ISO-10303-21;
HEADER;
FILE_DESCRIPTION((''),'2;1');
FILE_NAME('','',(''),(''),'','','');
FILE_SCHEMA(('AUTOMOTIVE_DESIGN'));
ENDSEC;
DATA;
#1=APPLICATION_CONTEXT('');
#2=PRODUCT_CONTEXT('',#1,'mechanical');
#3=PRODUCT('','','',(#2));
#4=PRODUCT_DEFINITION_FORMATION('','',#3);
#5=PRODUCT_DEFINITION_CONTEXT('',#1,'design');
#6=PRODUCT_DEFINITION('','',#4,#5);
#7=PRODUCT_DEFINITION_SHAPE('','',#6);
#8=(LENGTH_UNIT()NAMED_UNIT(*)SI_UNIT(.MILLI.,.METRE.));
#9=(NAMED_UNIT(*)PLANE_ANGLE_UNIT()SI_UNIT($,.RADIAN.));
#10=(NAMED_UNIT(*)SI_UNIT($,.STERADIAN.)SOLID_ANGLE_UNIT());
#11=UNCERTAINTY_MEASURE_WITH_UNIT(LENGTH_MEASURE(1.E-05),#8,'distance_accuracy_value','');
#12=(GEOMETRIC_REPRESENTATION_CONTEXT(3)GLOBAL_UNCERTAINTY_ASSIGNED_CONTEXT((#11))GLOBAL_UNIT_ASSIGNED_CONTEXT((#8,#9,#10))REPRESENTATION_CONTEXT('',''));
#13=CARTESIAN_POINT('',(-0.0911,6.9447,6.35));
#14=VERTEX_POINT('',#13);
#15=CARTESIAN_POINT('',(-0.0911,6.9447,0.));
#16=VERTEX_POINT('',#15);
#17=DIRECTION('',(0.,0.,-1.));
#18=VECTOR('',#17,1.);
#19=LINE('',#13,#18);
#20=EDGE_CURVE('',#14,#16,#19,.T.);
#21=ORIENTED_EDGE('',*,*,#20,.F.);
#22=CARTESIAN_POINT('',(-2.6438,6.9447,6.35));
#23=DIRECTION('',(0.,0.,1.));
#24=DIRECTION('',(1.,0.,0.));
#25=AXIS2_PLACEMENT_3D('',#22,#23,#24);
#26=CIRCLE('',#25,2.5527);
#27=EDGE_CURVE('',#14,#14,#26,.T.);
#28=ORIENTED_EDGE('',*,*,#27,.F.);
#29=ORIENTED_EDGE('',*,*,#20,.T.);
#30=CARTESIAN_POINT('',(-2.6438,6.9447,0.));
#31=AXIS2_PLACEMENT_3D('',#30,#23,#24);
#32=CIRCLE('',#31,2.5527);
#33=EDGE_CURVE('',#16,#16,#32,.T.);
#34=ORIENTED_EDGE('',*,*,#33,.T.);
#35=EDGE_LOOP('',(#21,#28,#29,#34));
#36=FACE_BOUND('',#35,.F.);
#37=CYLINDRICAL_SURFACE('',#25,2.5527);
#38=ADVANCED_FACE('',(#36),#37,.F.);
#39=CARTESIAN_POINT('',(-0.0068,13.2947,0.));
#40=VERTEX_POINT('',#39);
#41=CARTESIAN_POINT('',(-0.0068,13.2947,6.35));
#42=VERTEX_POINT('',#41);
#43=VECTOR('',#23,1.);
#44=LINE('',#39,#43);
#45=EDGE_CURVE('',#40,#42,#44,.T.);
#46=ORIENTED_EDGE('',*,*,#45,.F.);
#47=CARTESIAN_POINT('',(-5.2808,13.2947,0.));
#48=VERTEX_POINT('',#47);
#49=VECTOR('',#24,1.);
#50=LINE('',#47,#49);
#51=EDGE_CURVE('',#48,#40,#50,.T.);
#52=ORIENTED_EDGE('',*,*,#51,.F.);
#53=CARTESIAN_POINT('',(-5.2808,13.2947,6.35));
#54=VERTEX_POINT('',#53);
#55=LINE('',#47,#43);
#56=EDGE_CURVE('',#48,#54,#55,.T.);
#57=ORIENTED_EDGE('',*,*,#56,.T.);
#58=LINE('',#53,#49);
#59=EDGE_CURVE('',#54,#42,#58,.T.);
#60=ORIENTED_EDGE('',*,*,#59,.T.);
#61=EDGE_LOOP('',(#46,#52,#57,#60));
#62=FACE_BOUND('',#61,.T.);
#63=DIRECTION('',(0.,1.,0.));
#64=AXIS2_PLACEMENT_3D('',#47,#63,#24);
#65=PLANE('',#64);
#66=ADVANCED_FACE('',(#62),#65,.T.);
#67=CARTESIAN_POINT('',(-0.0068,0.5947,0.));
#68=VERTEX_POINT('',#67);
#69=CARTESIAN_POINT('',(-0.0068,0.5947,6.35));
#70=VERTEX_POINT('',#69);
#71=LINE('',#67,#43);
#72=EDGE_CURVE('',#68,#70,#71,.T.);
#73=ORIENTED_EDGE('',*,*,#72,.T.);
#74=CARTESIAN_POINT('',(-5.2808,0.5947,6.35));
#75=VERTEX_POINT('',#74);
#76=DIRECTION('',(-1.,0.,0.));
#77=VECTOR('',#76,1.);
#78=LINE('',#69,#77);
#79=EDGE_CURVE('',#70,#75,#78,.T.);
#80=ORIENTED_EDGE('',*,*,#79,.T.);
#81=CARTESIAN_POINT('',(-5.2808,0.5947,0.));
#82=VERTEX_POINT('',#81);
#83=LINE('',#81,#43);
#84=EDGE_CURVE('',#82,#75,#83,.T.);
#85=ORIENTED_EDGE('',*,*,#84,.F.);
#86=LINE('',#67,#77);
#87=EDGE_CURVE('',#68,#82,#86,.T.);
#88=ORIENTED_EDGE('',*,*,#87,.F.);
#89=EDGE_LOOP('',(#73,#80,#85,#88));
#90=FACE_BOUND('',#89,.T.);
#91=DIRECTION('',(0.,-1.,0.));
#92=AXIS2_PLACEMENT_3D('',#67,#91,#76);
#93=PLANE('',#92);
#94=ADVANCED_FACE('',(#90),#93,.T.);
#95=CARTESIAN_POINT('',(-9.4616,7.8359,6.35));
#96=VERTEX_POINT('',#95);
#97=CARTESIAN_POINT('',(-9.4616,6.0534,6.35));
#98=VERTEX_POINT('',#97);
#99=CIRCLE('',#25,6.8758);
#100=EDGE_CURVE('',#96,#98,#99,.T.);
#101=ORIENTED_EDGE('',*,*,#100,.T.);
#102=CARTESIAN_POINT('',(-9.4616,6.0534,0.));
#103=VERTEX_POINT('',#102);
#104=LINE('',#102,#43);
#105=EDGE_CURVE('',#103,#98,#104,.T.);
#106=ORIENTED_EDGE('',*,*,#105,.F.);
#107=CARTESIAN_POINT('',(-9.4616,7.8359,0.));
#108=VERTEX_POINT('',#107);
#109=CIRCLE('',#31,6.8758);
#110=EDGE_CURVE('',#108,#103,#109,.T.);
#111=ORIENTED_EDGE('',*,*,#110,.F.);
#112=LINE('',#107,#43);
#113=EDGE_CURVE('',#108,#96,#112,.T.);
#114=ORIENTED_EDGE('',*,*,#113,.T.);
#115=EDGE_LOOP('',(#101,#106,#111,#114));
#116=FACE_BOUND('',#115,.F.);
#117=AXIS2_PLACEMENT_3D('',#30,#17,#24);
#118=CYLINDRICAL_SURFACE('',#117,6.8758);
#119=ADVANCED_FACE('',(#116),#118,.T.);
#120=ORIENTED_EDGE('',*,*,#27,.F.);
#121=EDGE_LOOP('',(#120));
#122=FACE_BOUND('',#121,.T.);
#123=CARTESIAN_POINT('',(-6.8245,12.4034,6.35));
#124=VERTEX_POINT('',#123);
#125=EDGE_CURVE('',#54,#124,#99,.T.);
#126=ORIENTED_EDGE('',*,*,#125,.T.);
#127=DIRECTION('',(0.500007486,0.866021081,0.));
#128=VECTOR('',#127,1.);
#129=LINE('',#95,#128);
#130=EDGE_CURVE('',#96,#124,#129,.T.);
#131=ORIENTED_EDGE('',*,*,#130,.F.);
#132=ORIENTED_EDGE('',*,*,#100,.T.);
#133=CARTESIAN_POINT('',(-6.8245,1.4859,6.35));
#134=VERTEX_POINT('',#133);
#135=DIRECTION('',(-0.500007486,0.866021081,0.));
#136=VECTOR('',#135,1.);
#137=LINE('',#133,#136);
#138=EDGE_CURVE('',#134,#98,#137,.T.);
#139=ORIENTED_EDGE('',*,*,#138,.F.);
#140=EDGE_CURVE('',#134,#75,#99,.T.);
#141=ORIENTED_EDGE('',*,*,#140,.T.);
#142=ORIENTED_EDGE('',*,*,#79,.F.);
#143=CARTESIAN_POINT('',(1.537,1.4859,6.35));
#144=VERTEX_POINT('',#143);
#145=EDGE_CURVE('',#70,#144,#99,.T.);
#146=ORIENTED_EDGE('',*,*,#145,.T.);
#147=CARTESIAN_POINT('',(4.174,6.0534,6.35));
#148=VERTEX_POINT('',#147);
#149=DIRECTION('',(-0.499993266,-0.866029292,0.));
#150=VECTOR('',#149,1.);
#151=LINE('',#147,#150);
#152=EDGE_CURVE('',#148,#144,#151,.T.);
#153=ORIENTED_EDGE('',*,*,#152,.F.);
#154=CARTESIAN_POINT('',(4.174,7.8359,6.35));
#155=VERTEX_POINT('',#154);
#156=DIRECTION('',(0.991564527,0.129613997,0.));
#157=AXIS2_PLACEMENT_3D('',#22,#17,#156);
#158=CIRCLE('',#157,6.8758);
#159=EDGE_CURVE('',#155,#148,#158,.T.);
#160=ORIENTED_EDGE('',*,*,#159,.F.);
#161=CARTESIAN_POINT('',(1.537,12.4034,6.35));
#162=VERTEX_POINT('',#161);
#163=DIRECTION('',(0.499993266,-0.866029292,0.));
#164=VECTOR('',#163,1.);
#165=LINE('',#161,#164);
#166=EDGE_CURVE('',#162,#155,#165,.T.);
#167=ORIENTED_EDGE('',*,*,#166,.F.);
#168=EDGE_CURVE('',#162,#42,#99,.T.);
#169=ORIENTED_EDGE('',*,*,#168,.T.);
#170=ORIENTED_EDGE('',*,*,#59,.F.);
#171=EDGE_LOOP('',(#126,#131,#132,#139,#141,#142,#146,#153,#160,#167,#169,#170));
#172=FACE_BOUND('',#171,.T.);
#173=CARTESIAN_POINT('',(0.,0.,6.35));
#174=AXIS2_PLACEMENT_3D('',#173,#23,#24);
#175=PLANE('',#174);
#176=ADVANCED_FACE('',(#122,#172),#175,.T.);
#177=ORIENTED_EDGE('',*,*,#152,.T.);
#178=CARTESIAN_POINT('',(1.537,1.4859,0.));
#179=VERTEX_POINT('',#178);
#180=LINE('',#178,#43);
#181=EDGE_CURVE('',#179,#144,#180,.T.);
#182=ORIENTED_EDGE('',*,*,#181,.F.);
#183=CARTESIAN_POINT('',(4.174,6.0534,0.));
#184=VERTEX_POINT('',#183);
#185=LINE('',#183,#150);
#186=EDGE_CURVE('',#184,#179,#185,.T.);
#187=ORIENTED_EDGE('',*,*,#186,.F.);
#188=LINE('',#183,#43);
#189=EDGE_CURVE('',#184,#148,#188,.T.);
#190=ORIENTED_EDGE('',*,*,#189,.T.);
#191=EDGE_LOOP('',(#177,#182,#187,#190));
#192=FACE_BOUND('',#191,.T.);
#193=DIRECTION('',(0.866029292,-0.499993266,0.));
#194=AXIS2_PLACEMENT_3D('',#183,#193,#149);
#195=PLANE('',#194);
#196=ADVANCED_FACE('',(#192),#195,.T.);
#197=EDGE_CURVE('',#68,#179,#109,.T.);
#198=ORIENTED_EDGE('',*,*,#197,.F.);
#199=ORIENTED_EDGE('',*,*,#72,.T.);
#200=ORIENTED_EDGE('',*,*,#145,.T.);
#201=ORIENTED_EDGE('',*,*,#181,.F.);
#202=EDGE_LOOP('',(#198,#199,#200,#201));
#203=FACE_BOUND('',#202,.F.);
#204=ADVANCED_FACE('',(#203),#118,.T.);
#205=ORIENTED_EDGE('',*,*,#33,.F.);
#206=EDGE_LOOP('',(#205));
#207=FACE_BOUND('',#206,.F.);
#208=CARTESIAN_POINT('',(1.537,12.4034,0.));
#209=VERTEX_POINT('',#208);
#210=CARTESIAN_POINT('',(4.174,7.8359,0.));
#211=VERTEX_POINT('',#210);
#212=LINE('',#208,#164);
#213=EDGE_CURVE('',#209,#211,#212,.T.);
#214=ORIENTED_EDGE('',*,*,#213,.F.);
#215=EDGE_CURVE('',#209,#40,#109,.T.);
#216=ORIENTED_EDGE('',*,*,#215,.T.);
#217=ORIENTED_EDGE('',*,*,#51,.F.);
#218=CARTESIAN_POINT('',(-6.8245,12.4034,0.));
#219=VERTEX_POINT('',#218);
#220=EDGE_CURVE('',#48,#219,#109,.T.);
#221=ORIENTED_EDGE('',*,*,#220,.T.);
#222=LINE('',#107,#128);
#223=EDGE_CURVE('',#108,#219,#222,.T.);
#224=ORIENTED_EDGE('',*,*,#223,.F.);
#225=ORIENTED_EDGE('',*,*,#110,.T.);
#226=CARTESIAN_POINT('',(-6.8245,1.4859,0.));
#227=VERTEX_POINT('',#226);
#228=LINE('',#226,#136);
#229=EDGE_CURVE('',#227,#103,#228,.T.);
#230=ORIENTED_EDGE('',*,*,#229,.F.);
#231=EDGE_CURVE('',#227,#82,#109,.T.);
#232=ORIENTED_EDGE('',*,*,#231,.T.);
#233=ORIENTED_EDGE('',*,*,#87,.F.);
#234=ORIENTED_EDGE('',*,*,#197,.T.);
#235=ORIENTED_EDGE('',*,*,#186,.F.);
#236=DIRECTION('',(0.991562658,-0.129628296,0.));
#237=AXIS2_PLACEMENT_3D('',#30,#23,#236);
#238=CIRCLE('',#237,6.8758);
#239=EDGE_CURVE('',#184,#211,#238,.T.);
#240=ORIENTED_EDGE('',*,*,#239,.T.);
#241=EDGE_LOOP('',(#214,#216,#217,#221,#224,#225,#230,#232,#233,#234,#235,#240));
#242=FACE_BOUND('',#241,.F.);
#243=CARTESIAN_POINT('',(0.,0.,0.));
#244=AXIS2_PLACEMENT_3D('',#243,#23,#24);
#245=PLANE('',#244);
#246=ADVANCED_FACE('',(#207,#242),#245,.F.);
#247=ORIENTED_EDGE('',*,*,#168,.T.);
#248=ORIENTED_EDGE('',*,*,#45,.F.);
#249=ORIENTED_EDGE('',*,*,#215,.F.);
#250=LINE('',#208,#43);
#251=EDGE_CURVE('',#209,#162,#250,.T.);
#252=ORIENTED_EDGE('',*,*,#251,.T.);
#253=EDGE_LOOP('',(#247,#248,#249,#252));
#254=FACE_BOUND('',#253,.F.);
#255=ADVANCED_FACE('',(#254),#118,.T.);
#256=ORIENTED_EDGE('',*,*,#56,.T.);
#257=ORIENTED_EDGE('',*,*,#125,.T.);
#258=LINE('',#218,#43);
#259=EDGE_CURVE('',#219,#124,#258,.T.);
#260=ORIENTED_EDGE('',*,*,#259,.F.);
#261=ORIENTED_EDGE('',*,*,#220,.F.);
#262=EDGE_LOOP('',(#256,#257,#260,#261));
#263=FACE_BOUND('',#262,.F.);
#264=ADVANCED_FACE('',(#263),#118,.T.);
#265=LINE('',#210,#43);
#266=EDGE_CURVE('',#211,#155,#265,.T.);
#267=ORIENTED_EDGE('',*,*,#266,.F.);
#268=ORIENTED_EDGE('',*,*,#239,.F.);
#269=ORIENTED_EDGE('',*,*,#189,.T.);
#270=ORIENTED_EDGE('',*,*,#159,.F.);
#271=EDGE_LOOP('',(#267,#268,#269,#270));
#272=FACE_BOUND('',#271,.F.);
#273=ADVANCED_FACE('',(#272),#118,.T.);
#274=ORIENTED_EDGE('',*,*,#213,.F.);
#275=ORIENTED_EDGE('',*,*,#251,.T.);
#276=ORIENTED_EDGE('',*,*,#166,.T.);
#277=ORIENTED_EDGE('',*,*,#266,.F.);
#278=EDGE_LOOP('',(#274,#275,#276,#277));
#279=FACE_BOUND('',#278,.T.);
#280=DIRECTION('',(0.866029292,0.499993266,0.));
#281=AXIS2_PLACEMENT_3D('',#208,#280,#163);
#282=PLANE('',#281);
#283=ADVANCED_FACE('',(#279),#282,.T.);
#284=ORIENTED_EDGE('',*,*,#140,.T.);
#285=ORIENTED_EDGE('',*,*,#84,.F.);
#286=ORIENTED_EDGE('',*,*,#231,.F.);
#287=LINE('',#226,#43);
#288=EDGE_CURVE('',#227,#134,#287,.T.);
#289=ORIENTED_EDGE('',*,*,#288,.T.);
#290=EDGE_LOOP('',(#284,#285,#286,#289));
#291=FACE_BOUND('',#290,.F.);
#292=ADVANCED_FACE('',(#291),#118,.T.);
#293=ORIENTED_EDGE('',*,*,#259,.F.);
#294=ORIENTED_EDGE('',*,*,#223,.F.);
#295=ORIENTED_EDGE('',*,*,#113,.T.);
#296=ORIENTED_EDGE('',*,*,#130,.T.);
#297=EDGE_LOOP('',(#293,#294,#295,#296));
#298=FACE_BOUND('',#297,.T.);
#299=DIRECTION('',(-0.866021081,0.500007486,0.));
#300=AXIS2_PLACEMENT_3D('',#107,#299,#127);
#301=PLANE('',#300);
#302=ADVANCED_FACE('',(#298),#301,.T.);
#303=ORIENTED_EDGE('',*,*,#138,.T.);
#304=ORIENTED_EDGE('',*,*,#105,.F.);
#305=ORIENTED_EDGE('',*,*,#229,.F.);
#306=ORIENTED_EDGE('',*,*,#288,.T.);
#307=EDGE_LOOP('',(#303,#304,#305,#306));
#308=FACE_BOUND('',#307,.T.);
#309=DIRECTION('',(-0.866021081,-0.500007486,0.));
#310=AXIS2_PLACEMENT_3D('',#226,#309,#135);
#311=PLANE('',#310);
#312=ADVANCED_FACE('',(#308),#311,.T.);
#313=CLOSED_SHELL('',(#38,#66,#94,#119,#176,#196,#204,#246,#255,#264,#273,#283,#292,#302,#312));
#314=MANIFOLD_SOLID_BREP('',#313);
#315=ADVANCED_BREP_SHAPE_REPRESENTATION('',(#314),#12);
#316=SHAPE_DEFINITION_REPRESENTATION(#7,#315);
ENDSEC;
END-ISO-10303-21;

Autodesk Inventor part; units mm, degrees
ref_plane "YZ Plane" through (0, 0, 0) normal (1, 0, 0) x (0, 1, 0)
ref_plane "XZ Plane" through (0, 0, 0) normal (0, 1, 0) x (-1, 0, 0)
ref_plane "XY Plane" through (0, 0, 0) normal (0, 0, 1) x (1, 0, 0)
sketch "Sketch1" plane through (0, 0, 0) normal (0, 0, 1) x (1, 0, 0)
  circle A0 centre (-2.6438, 6.9447) radius 6.8758
  line L0 (-9.4616, 7.8359) -> (-6.8245, 12.4034)
  line L1 (-6.8245, 1.4859) -> (-9.4616, 6.0534)
  line L2 (-0.0068, 0.5947) -> (-5.2808, 0.5947)
  line L3 (4.174, 6.0534) -> (1.537, 1.4859)
  line L4 (1.537, 12.4034) -> (4.174, 7.8359)
  line L5 (-5.2808, 13.2947) -> (-0.0068, 13.2947)
  point P0 (0, 0)
  point P1 (1.537, 1.4859)
  dimension "d0" = 13.7516
  dimension "d4" = 360
extrude "Extrusion1" add sketch "Sketch1" along normal blind 6.35 contours A0 L3 L2 L1 L0 L5 L4
sketch "Sketch2" plane through (0, 0, 6.35) normal (0, 0, 1) x (1, 0, 0)
  circle A0 centre (-2.6438, 6.9447) radius 2.5527
  line L0 (-5.2808, 0.5947) -> (-0.0068, 0.5947) projected
  line L1 (-2.6438, 6.9447) -> (-5.2808, 0.5947) construction
  line L2 (-2.6438, 6.9447) -> (-0.0068, 0.5947) construction
  point P0 (0, 0)
  dimension "d8" = 5.1054
  dimension "d9" = 6.35
extrude "Extrusion2" cut sketch "Sketch2" against normal blind 6.35
equation "\"d6\" = d5"
equation "\"d10\" = d5"
equation "\"d5\" = 6.35"
properties part number "TurretStandoff" material "Aluminum 6061"
